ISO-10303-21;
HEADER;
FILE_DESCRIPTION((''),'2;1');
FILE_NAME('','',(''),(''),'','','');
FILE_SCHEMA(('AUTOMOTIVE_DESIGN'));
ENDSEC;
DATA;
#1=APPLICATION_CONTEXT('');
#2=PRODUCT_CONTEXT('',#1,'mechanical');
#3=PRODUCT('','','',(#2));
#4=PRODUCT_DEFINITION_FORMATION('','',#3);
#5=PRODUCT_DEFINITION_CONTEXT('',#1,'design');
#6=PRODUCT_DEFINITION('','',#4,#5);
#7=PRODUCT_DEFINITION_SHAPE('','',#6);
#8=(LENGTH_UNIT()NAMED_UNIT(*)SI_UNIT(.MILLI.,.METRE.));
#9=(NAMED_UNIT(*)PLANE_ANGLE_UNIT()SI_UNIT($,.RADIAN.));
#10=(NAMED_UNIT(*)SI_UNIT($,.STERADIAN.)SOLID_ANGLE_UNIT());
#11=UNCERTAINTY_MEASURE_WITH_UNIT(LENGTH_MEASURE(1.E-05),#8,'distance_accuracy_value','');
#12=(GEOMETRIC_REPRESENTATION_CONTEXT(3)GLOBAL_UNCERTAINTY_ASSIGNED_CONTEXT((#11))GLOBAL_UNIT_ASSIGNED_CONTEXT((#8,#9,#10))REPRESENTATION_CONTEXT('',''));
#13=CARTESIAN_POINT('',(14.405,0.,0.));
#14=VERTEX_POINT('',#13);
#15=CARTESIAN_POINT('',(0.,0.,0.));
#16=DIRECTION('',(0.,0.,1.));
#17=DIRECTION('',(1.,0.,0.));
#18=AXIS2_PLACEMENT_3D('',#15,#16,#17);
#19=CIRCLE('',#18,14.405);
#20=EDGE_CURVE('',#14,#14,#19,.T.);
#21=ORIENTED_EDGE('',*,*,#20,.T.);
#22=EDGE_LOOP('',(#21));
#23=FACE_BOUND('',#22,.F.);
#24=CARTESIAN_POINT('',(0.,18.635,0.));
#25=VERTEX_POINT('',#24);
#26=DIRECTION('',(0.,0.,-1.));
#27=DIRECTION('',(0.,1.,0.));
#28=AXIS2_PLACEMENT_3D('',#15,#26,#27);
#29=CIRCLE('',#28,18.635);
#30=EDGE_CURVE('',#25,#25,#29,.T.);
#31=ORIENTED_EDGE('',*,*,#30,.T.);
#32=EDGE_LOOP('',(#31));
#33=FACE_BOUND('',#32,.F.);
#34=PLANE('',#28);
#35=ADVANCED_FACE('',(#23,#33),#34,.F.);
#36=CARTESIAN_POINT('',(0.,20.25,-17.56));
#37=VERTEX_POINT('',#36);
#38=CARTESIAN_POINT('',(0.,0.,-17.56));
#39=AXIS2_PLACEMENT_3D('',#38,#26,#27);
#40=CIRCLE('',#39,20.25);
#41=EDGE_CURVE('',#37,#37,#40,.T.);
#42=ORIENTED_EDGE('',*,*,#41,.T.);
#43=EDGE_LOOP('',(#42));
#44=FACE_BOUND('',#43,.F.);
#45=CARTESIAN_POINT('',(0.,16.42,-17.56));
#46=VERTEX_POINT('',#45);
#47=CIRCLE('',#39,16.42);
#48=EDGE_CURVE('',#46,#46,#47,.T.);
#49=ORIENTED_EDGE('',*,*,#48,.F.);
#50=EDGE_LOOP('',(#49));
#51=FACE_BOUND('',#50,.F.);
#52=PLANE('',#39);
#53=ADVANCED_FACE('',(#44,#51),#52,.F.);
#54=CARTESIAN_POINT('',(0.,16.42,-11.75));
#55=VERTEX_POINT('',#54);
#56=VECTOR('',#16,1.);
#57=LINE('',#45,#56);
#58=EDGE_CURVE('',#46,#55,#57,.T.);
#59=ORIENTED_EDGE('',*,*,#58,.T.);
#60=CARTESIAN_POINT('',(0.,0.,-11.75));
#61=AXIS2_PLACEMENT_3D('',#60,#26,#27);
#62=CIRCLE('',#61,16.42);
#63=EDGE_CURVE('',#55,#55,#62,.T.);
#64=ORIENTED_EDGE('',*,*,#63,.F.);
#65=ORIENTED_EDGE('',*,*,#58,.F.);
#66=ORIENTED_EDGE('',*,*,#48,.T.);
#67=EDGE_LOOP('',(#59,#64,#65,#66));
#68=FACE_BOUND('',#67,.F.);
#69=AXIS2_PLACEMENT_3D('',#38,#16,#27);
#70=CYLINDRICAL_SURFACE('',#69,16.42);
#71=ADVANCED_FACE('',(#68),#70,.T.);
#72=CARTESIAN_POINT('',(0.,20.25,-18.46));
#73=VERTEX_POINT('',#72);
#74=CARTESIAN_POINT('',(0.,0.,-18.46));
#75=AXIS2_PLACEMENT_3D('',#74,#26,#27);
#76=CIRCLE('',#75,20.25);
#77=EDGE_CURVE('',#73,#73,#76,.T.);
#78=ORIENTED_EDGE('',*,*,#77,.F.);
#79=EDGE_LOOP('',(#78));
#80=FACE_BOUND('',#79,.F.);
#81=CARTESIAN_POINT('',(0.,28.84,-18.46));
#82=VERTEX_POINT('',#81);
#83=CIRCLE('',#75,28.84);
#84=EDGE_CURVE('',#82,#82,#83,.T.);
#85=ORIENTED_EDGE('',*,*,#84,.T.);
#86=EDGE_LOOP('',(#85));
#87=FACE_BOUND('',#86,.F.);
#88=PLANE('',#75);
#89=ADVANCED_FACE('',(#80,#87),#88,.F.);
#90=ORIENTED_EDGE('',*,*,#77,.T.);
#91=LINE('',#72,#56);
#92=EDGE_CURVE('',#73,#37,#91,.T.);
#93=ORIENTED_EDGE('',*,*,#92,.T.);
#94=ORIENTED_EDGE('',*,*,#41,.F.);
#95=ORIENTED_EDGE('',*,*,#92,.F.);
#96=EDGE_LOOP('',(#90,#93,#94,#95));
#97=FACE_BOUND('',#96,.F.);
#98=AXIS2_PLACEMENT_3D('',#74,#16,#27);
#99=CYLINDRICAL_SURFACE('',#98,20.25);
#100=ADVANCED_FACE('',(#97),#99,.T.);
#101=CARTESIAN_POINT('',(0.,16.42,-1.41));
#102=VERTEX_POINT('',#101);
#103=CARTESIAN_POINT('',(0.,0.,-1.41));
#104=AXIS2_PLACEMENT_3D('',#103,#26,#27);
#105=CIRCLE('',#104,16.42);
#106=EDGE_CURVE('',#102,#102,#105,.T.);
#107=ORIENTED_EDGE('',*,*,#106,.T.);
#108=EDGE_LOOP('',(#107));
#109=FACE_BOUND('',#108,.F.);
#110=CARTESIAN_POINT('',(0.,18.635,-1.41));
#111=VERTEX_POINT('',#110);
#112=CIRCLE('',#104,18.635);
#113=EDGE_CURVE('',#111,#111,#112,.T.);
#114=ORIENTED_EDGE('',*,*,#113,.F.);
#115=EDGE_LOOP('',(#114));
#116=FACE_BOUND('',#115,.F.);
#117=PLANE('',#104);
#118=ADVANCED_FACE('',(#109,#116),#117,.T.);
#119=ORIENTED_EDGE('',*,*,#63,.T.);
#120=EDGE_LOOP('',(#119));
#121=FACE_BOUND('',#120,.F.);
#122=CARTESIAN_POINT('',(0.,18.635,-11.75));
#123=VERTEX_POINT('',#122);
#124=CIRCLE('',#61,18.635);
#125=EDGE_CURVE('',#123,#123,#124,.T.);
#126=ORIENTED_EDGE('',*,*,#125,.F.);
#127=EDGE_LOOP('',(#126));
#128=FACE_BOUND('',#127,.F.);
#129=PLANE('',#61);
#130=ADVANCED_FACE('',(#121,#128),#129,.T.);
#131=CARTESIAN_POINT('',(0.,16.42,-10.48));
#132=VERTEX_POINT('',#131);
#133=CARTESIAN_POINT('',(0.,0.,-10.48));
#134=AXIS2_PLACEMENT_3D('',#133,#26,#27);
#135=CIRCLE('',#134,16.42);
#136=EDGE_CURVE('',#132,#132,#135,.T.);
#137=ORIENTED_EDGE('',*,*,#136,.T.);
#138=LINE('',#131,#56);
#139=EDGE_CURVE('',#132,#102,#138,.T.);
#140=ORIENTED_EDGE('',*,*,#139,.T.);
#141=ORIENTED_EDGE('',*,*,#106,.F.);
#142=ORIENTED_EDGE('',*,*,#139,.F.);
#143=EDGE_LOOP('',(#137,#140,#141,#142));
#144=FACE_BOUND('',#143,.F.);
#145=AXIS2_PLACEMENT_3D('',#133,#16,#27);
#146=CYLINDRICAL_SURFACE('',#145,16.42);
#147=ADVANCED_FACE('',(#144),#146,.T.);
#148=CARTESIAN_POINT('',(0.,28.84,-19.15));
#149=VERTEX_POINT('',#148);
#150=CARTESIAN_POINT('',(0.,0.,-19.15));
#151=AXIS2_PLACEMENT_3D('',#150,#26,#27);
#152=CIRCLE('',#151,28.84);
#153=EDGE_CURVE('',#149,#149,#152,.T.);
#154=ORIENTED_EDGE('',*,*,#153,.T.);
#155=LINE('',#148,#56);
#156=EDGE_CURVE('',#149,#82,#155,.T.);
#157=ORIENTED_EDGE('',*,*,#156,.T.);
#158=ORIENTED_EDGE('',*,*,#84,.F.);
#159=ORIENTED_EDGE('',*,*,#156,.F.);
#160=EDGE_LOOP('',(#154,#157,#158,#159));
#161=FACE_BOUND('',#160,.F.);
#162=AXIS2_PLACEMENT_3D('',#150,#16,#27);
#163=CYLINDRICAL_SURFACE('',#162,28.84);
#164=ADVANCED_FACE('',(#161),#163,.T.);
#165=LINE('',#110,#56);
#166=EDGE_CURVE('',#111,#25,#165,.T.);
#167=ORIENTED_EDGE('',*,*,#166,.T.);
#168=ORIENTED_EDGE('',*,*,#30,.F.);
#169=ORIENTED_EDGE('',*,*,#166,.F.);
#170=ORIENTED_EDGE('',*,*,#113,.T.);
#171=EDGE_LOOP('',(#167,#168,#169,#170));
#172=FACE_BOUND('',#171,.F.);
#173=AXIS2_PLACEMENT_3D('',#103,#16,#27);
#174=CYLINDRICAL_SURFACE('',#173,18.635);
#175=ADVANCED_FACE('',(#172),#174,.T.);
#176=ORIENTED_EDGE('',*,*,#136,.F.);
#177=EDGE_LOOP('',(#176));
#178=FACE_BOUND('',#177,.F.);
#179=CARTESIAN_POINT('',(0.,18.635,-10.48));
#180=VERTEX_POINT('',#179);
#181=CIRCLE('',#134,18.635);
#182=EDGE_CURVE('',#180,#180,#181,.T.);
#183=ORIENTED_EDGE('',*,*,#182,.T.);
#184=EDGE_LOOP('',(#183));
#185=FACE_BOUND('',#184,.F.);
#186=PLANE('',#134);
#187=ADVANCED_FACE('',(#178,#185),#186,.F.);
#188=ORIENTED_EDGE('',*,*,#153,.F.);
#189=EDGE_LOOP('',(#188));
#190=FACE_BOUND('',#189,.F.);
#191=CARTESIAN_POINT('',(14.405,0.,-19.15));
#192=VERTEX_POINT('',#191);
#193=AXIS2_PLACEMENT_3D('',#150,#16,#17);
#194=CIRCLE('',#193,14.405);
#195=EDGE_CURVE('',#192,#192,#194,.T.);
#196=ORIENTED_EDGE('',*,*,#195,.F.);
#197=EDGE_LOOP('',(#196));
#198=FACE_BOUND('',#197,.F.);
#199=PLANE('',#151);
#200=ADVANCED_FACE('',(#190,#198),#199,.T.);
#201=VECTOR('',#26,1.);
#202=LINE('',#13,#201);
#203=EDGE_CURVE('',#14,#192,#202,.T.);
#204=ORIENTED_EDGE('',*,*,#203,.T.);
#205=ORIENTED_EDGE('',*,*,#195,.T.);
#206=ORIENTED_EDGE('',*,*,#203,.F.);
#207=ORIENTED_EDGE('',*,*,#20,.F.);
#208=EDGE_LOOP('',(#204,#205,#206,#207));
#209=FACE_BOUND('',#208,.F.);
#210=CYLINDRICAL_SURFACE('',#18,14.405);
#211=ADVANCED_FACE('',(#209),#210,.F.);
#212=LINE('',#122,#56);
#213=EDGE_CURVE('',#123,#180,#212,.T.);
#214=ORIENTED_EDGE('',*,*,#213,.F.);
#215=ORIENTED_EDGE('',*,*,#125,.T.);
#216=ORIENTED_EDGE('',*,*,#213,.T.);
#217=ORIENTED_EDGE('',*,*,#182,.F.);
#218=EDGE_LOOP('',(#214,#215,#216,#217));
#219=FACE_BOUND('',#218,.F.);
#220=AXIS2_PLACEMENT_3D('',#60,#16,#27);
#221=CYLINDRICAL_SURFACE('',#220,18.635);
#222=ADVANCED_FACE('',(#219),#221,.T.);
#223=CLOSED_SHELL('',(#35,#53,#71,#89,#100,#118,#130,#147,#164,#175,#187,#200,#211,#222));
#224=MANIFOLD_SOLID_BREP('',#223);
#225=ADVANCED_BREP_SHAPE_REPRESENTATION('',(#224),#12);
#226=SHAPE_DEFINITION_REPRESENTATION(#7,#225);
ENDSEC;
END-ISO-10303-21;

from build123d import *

# Parameters (mm, degrees)
F2_R     = 14.405
F3_DEPTH = 19.151


with BuildPart() as f1:
    # F0 (on Right) → F1 (revolve)
    with BuildSketch(Plane.YZ):
        Polygon((0, 0), (0, -19.15), (28.84, -19.15), (28.84, -18.46), (20.25, -18.46), (20.25, -17.56), (16.42, -17.56), (16.42, -11.75), (18.635, -11.75), (18.635, -10.48), (16.42, -10.48), (16.42, -1.41), (18.635, -1.41), (18.635, 0), align=None)
    revolve(axis=Axis((0, 0, -9.575), (0, 0, -1)))

    # F2 (on face) → F3 (cut, through all)
    with BuildSketch(Plane.XY):
        Circle(F2_R)
    extrude(amount=-F3_DEPTH, mode=Mode.SUBTRACT)


solid = f1.part
